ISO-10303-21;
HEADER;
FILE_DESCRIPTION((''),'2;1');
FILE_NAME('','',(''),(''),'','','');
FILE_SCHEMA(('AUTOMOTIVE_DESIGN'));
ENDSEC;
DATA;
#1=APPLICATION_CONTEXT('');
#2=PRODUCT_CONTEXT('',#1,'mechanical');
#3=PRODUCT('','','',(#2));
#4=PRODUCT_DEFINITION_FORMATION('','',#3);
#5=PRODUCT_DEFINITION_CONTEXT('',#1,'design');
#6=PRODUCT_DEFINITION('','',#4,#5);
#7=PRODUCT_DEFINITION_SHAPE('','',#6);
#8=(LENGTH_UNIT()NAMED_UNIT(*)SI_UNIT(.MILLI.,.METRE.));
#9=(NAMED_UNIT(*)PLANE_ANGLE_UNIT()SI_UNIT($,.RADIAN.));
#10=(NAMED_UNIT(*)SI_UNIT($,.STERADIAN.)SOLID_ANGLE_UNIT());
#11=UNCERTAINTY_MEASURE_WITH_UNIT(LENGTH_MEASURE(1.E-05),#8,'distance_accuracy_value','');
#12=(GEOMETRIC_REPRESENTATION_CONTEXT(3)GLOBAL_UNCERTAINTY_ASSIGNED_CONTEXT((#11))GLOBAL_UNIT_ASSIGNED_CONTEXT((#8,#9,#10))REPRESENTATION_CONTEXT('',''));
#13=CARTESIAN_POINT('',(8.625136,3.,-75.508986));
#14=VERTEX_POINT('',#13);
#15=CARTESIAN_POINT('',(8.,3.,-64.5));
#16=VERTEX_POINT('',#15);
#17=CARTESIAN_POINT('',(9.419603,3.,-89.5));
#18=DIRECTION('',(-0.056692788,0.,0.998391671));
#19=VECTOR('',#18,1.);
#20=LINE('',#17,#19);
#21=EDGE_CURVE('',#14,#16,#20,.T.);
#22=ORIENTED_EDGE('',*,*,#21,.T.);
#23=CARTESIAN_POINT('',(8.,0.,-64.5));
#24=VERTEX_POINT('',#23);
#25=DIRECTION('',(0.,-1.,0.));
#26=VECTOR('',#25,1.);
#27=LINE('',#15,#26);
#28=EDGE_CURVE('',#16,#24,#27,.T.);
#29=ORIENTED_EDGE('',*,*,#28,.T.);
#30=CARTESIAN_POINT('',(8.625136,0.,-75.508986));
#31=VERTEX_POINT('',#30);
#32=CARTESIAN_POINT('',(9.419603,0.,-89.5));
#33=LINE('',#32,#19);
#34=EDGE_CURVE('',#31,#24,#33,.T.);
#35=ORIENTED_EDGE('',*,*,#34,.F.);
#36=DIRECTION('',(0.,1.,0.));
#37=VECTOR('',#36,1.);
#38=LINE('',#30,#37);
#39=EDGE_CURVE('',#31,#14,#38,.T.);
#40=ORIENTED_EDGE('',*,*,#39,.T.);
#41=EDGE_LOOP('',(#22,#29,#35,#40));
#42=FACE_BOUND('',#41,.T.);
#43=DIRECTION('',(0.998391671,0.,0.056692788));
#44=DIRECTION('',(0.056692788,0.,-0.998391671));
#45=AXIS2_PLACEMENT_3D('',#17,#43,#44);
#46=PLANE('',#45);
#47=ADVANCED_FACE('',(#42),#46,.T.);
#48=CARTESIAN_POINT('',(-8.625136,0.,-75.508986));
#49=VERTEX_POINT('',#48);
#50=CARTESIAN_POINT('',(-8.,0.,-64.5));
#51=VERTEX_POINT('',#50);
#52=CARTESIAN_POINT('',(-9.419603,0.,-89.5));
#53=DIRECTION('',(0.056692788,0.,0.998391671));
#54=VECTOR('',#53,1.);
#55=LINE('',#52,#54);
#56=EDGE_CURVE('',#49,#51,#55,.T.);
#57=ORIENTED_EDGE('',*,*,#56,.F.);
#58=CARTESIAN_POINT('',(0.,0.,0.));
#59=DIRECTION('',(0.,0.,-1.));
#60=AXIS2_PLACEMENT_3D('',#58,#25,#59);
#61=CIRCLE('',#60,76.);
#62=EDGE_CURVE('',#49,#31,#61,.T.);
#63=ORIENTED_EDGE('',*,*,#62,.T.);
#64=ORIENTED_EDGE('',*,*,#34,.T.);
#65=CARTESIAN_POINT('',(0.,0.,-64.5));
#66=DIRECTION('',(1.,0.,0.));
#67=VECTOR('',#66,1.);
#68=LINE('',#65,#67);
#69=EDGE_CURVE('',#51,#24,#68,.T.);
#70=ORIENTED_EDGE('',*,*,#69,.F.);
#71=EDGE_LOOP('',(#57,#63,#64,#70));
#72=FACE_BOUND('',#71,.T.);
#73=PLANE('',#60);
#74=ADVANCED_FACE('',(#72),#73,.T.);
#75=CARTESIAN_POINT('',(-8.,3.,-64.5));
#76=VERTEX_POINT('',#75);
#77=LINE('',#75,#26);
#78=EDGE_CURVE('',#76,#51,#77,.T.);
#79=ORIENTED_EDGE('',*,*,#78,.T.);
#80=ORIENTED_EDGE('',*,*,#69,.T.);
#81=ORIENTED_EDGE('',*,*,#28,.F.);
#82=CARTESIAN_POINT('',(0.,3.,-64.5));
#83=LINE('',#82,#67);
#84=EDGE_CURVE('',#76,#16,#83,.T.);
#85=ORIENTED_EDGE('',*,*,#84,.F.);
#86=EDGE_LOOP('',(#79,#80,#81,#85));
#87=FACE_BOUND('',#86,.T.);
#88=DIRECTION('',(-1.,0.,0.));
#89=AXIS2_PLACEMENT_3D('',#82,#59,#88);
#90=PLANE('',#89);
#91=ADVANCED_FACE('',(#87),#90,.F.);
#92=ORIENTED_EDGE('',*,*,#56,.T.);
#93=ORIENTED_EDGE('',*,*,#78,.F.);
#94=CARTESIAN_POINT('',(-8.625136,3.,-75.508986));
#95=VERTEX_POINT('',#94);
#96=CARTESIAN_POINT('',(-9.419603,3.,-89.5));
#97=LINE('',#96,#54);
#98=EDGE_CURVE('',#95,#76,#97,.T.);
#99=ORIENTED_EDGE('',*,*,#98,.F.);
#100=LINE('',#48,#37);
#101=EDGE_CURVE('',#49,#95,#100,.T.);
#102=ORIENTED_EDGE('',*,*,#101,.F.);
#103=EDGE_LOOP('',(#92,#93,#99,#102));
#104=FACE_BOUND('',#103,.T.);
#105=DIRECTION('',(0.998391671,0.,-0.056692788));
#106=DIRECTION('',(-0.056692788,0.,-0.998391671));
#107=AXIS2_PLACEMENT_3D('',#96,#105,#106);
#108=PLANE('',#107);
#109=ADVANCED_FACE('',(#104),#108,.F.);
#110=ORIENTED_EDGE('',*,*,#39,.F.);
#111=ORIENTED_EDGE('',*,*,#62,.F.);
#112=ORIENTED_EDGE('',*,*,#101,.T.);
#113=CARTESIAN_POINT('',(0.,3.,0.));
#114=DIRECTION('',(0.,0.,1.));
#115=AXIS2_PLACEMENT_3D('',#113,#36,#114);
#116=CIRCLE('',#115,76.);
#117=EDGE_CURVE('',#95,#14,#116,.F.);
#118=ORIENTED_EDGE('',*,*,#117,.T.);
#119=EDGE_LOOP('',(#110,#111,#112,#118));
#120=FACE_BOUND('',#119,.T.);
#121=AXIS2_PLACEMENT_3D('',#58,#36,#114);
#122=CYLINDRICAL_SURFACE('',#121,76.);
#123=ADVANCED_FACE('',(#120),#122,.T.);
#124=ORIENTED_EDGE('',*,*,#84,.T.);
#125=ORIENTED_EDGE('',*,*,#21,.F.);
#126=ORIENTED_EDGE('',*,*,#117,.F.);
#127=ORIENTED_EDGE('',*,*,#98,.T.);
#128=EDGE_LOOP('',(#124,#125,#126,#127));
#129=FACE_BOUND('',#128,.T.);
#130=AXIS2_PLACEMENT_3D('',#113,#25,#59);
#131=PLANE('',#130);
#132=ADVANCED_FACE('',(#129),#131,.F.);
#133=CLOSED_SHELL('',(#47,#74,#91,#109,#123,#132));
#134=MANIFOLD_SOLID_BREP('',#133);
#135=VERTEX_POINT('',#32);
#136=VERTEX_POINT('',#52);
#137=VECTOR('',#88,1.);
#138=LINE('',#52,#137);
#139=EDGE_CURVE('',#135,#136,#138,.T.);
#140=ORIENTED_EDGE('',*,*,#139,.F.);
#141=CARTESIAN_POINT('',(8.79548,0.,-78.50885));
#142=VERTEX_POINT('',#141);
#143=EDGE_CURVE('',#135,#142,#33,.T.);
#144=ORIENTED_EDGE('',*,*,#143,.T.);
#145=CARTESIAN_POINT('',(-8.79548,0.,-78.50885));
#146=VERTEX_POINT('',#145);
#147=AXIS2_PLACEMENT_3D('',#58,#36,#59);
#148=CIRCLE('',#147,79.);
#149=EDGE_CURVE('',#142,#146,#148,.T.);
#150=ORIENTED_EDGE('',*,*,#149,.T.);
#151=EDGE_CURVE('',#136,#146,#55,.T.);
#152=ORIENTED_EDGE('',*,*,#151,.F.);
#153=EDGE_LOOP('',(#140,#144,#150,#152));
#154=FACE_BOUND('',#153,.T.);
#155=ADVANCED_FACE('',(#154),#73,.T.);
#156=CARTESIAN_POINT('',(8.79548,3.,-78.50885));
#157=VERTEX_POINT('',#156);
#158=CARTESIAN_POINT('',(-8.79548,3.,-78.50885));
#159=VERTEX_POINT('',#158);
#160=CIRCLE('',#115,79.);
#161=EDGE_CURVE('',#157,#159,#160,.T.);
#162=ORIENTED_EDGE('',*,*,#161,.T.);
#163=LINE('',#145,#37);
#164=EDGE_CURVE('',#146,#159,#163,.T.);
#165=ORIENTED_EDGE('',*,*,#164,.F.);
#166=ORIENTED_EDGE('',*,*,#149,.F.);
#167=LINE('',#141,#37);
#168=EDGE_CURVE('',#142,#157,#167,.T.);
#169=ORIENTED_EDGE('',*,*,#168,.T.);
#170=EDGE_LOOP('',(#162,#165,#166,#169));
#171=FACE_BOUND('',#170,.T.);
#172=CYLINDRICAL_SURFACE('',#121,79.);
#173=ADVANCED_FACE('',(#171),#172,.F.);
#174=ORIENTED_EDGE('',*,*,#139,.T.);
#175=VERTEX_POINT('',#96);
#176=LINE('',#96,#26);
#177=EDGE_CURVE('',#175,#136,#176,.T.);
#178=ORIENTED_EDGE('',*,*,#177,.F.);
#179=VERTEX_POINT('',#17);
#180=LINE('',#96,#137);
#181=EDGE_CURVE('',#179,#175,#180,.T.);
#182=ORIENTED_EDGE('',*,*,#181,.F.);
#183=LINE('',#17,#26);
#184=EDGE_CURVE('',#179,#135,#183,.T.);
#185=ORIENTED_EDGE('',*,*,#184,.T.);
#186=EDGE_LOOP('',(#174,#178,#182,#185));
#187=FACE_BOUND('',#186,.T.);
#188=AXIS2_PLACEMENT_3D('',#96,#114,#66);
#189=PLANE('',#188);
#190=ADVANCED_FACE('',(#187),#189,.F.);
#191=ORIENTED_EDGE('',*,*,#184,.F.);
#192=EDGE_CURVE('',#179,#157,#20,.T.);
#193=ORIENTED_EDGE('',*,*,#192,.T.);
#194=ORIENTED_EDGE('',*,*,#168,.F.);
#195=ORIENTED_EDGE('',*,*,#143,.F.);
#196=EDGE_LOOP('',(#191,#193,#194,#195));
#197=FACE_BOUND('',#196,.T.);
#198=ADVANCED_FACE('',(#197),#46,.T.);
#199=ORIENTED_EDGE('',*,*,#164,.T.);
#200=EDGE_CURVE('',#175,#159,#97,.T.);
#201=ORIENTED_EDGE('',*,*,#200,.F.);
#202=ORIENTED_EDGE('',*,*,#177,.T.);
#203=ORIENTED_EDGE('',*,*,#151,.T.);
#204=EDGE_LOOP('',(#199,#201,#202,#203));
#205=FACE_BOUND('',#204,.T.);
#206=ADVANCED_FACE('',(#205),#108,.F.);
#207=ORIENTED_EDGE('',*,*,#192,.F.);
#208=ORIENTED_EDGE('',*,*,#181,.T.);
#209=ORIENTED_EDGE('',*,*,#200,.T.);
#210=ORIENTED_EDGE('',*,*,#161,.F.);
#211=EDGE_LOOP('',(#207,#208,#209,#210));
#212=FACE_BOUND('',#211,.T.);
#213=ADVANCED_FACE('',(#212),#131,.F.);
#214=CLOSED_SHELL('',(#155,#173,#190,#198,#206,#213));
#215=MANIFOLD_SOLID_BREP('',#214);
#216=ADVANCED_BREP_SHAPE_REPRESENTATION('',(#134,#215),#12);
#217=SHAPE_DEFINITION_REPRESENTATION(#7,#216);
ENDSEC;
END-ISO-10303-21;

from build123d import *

# Parameters (mm, degrees)
BOSS_EXTRUDE1_DEPTH     = 3
CUT_EXTRUDE1_DEPTH      = 1
CUT_EXTRUDE1_DEPTH_BACK = 4


with BuildPart() as part:
    # Sketch1 → Boss-Extrude1 (new body)
    with BuildSketch(Plane(origin=(0, 0, 0), x_dir=(1, 0, 0), z_dir=(0, 1, 0))):
        Polygon((-9.419602878, 89.5), (-8, 64.5), (0, 64.5), (0, 89.5), align=None)
    boss_extrude1 = extrude(amount=BOSS_EXTRUDE1_DEPTH)

    # Mirror1: Boss-Extrude1 across plane
    add(boss_extrude1.mirror(Plane(origin=(0, 0, 0), x_dir=(0, 0, 1), z_dir=(1, 0, 0))))

    # Sketch2 → Cut-Extrude1 (cut, two sides)
    with BuildSketch(Plane(origin=(0, 3, 0), x_dir=(1, 0, 0), z_dir=(0, 1, 0))) as cut_extrude1_sk:
        with BuildLine():
            Line((-8.625135555, 75.508986463), (-8.795480151, 78.508850004))
            ThreePointArc((-8.795480151, 78.508850004), (0, 79), (8.795480151, 78.508850004))
            Line((8.795480151, 78.508850004), (8.625135555, 75.508986463))
            ThreePointArc((8.625135555, 75.508986463), (0, 76), (-8.625135555, 75.508986463))
        make_face()
    extrude(amount=CUT_EXTRUDE1_DEPTH, mode=Mode.SUBTRACT)
    extrude(cut_extrude1_sk.sketch, amount=-CUT_EXTRUDE1_DEPTH_BACK, mode=Mode.SUBTRACT)


solid = part.part
